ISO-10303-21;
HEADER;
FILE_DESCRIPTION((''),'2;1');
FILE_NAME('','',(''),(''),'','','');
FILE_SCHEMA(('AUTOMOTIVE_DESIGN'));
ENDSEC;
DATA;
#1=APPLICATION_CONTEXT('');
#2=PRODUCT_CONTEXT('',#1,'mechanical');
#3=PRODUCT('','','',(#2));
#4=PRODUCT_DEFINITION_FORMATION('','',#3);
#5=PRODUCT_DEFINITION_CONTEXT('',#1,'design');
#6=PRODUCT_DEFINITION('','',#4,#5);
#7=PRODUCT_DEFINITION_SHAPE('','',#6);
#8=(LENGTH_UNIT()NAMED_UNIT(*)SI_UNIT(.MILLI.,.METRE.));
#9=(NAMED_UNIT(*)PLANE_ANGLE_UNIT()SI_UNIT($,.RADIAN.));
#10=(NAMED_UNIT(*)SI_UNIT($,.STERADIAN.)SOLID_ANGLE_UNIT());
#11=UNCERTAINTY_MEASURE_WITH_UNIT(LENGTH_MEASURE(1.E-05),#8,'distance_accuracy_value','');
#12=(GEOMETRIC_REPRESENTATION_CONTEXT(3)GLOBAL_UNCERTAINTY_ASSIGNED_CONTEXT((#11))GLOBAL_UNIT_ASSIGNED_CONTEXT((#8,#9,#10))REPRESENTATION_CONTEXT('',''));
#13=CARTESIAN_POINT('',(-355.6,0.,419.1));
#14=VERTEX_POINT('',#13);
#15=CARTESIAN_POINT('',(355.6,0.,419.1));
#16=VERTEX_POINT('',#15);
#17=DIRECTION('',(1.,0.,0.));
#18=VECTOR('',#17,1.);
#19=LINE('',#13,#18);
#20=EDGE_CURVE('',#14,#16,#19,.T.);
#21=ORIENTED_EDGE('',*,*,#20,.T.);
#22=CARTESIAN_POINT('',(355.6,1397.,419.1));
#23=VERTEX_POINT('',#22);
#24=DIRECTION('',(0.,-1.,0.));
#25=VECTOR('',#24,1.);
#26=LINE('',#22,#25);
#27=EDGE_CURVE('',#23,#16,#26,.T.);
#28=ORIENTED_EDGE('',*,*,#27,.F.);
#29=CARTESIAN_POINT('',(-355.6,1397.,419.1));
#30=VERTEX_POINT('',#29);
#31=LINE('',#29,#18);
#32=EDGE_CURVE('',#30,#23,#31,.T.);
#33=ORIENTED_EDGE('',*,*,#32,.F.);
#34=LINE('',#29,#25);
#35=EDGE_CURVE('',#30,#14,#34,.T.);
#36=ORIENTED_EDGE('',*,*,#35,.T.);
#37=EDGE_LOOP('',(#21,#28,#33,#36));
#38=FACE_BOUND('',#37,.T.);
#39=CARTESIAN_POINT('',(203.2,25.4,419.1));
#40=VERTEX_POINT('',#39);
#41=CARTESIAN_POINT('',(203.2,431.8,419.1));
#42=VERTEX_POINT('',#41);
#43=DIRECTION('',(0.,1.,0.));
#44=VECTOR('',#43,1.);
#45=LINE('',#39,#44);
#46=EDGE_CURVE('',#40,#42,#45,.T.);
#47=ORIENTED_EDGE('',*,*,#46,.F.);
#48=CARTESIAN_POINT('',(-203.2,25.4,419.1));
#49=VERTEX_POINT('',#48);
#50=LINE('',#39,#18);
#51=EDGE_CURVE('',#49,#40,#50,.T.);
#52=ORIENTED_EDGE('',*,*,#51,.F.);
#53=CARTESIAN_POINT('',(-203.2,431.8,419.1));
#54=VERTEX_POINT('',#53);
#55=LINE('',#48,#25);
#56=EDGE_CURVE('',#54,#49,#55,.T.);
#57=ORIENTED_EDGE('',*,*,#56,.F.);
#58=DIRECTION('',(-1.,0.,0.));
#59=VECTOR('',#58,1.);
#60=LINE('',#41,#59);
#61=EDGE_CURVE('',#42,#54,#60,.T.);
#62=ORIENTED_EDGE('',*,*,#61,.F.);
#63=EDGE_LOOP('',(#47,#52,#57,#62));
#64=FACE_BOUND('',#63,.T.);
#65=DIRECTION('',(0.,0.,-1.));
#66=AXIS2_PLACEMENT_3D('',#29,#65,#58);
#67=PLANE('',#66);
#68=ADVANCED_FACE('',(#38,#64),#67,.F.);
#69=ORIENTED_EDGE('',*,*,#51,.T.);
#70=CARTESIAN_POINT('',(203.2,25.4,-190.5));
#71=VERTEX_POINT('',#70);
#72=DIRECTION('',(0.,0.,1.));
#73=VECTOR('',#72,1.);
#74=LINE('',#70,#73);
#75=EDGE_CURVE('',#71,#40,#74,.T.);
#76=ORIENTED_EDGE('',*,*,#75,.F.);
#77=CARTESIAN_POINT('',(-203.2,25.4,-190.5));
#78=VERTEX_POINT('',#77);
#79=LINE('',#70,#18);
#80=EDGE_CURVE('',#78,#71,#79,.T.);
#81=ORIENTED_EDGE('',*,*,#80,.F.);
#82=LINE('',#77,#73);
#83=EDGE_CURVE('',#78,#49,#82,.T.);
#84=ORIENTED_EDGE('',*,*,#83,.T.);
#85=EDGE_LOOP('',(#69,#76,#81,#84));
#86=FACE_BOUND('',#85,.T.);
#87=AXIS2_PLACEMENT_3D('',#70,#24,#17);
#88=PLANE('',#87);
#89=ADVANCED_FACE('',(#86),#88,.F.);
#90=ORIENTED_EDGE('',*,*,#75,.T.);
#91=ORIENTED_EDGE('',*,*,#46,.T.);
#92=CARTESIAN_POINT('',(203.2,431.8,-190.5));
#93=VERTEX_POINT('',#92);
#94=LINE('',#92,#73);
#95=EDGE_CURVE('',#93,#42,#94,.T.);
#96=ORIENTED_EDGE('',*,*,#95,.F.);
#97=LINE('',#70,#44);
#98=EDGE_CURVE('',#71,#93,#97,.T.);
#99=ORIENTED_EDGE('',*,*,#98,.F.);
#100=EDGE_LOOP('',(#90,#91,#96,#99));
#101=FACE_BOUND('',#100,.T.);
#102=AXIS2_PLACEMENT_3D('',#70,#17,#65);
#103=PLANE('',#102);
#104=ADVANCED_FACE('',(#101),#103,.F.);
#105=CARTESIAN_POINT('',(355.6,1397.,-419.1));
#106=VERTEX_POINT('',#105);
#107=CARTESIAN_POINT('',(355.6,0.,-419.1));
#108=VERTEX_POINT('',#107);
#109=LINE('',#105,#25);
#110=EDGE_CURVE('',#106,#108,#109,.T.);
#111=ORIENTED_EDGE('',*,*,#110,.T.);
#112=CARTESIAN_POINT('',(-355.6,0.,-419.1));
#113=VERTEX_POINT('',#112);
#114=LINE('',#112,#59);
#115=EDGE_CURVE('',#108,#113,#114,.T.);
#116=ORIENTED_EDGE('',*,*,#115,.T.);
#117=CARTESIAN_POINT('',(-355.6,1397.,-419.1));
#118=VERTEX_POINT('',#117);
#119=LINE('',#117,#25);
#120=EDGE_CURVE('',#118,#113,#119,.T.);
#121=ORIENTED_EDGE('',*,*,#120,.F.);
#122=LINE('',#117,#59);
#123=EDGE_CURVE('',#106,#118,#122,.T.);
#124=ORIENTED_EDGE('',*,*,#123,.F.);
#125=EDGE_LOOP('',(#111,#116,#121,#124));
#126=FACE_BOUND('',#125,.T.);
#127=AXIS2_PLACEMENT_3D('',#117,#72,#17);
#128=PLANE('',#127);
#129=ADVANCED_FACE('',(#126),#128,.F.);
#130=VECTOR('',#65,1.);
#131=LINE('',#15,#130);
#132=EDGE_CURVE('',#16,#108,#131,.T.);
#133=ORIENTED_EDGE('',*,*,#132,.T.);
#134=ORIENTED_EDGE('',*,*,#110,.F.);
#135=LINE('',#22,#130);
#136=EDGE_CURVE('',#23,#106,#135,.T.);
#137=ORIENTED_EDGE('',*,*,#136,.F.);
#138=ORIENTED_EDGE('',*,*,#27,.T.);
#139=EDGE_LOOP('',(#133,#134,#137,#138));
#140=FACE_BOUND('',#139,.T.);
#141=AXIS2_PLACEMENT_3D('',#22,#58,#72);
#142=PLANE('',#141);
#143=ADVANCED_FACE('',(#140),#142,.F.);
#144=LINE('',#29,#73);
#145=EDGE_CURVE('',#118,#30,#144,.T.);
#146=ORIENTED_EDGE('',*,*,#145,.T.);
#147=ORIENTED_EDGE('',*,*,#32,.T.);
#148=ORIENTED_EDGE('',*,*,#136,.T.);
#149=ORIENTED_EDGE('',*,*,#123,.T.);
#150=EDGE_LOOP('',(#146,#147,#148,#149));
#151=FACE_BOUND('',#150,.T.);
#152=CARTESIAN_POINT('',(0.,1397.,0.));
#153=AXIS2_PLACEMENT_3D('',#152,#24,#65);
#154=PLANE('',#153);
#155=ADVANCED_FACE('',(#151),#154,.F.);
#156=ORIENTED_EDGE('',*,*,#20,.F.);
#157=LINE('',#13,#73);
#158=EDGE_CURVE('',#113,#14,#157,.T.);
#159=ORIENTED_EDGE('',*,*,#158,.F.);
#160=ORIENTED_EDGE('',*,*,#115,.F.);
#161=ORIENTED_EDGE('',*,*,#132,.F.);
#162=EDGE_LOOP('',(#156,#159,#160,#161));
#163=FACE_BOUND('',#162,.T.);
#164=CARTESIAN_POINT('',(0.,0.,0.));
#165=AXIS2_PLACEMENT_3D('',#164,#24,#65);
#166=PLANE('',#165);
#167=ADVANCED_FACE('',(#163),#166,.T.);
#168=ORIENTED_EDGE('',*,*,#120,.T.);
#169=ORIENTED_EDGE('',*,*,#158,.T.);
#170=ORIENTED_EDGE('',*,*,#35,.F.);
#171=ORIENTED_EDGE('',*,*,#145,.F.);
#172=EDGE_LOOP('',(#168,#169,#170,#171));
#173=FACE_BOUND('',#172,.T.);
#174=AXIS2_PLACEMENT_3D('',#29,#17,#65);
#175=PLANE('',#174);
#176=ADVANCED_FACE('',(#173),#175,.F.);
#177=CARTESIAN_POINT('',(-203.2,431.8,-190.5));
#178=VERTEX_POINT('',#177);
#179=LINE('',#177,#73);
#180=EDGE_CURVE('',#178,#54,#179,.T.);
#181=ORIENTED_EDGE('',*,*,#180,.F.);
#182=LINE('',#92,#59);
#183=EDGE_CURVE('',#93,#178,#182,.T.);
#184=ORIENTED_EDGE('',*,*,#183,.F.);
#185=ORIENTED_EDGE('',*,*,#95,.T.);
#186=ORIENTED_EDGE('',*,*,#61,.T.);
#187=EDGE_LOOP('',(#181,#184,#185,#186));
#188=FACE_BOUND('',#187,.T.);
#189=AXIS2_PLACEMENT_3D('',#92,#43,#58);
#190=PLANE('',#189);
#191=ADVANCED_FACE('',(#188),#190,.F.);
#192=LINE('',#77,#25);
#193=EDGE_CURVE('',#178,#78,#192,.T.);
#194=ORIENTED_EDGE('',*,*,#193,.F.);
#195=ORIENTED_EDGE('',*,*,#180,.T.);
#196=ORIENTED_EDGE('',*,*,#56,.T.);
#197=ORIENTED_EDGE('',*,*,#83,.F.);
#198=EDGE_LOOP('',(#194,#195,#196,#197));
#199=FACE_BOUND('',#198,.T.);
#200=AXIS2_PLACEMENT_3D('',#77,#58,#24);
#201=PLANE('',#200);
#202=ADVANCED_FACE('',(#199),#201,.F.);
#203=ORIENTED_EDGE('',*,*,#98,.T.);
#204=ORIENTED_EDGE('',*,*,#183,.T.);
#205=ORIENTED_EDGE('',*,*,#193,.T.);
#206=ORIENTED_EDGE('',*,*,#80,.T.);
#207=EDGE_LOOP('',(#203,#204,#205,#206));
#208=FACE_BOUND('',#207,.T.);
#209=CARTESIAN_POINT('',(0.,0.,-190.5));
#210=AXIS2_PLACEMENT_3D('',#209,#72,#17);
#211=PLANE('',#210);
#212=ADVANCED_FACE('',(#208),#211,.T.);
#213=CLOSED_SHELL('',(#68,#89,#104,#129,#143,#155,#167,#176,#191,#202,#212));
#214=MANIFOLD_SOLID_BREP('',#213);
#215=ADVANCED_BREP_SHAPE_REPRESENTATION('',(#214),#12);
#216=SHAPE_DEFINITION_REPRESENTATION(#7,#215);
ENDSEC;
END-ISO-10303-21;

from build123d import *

# Parameters (mm, degrees)
SKETCH2_W           = 711.2
SKETCH2_H           = 838.2
BOSS_EXTRUDE1_DEPTH = 1397
SKETCH6_W           = 406.4
SKETCH6_H           = 406.4
CUT_EXTRUDE1_DEPTH  = 609.6


with BuildPart() as part:
    # Sketch2 → Boss-Extrude1 (new body)
    with BuildSketch(Plane(origin=(0, 0, 0), x_dir=(1, 0, 0), z_dir=(0, 1, 0))):
        Rectangle(SKETCH2_W, SKETCH2_H)
    extrude(amount=BOSS_EXTRUDE1_DEPTH)

    # Sketch6 → Cut-Extrude1 (cut)
    with BuildSketch(Plane.XY.offset(419.1)):
        with Locations((0, 228.6)):
            Rectangle(SKETCH6_W, SKETCH6_H)
    extrude(amount=-CUT_EXTRUDE1_DEPTH, mode=Mode.SUBTRACT)


solid = part.part
